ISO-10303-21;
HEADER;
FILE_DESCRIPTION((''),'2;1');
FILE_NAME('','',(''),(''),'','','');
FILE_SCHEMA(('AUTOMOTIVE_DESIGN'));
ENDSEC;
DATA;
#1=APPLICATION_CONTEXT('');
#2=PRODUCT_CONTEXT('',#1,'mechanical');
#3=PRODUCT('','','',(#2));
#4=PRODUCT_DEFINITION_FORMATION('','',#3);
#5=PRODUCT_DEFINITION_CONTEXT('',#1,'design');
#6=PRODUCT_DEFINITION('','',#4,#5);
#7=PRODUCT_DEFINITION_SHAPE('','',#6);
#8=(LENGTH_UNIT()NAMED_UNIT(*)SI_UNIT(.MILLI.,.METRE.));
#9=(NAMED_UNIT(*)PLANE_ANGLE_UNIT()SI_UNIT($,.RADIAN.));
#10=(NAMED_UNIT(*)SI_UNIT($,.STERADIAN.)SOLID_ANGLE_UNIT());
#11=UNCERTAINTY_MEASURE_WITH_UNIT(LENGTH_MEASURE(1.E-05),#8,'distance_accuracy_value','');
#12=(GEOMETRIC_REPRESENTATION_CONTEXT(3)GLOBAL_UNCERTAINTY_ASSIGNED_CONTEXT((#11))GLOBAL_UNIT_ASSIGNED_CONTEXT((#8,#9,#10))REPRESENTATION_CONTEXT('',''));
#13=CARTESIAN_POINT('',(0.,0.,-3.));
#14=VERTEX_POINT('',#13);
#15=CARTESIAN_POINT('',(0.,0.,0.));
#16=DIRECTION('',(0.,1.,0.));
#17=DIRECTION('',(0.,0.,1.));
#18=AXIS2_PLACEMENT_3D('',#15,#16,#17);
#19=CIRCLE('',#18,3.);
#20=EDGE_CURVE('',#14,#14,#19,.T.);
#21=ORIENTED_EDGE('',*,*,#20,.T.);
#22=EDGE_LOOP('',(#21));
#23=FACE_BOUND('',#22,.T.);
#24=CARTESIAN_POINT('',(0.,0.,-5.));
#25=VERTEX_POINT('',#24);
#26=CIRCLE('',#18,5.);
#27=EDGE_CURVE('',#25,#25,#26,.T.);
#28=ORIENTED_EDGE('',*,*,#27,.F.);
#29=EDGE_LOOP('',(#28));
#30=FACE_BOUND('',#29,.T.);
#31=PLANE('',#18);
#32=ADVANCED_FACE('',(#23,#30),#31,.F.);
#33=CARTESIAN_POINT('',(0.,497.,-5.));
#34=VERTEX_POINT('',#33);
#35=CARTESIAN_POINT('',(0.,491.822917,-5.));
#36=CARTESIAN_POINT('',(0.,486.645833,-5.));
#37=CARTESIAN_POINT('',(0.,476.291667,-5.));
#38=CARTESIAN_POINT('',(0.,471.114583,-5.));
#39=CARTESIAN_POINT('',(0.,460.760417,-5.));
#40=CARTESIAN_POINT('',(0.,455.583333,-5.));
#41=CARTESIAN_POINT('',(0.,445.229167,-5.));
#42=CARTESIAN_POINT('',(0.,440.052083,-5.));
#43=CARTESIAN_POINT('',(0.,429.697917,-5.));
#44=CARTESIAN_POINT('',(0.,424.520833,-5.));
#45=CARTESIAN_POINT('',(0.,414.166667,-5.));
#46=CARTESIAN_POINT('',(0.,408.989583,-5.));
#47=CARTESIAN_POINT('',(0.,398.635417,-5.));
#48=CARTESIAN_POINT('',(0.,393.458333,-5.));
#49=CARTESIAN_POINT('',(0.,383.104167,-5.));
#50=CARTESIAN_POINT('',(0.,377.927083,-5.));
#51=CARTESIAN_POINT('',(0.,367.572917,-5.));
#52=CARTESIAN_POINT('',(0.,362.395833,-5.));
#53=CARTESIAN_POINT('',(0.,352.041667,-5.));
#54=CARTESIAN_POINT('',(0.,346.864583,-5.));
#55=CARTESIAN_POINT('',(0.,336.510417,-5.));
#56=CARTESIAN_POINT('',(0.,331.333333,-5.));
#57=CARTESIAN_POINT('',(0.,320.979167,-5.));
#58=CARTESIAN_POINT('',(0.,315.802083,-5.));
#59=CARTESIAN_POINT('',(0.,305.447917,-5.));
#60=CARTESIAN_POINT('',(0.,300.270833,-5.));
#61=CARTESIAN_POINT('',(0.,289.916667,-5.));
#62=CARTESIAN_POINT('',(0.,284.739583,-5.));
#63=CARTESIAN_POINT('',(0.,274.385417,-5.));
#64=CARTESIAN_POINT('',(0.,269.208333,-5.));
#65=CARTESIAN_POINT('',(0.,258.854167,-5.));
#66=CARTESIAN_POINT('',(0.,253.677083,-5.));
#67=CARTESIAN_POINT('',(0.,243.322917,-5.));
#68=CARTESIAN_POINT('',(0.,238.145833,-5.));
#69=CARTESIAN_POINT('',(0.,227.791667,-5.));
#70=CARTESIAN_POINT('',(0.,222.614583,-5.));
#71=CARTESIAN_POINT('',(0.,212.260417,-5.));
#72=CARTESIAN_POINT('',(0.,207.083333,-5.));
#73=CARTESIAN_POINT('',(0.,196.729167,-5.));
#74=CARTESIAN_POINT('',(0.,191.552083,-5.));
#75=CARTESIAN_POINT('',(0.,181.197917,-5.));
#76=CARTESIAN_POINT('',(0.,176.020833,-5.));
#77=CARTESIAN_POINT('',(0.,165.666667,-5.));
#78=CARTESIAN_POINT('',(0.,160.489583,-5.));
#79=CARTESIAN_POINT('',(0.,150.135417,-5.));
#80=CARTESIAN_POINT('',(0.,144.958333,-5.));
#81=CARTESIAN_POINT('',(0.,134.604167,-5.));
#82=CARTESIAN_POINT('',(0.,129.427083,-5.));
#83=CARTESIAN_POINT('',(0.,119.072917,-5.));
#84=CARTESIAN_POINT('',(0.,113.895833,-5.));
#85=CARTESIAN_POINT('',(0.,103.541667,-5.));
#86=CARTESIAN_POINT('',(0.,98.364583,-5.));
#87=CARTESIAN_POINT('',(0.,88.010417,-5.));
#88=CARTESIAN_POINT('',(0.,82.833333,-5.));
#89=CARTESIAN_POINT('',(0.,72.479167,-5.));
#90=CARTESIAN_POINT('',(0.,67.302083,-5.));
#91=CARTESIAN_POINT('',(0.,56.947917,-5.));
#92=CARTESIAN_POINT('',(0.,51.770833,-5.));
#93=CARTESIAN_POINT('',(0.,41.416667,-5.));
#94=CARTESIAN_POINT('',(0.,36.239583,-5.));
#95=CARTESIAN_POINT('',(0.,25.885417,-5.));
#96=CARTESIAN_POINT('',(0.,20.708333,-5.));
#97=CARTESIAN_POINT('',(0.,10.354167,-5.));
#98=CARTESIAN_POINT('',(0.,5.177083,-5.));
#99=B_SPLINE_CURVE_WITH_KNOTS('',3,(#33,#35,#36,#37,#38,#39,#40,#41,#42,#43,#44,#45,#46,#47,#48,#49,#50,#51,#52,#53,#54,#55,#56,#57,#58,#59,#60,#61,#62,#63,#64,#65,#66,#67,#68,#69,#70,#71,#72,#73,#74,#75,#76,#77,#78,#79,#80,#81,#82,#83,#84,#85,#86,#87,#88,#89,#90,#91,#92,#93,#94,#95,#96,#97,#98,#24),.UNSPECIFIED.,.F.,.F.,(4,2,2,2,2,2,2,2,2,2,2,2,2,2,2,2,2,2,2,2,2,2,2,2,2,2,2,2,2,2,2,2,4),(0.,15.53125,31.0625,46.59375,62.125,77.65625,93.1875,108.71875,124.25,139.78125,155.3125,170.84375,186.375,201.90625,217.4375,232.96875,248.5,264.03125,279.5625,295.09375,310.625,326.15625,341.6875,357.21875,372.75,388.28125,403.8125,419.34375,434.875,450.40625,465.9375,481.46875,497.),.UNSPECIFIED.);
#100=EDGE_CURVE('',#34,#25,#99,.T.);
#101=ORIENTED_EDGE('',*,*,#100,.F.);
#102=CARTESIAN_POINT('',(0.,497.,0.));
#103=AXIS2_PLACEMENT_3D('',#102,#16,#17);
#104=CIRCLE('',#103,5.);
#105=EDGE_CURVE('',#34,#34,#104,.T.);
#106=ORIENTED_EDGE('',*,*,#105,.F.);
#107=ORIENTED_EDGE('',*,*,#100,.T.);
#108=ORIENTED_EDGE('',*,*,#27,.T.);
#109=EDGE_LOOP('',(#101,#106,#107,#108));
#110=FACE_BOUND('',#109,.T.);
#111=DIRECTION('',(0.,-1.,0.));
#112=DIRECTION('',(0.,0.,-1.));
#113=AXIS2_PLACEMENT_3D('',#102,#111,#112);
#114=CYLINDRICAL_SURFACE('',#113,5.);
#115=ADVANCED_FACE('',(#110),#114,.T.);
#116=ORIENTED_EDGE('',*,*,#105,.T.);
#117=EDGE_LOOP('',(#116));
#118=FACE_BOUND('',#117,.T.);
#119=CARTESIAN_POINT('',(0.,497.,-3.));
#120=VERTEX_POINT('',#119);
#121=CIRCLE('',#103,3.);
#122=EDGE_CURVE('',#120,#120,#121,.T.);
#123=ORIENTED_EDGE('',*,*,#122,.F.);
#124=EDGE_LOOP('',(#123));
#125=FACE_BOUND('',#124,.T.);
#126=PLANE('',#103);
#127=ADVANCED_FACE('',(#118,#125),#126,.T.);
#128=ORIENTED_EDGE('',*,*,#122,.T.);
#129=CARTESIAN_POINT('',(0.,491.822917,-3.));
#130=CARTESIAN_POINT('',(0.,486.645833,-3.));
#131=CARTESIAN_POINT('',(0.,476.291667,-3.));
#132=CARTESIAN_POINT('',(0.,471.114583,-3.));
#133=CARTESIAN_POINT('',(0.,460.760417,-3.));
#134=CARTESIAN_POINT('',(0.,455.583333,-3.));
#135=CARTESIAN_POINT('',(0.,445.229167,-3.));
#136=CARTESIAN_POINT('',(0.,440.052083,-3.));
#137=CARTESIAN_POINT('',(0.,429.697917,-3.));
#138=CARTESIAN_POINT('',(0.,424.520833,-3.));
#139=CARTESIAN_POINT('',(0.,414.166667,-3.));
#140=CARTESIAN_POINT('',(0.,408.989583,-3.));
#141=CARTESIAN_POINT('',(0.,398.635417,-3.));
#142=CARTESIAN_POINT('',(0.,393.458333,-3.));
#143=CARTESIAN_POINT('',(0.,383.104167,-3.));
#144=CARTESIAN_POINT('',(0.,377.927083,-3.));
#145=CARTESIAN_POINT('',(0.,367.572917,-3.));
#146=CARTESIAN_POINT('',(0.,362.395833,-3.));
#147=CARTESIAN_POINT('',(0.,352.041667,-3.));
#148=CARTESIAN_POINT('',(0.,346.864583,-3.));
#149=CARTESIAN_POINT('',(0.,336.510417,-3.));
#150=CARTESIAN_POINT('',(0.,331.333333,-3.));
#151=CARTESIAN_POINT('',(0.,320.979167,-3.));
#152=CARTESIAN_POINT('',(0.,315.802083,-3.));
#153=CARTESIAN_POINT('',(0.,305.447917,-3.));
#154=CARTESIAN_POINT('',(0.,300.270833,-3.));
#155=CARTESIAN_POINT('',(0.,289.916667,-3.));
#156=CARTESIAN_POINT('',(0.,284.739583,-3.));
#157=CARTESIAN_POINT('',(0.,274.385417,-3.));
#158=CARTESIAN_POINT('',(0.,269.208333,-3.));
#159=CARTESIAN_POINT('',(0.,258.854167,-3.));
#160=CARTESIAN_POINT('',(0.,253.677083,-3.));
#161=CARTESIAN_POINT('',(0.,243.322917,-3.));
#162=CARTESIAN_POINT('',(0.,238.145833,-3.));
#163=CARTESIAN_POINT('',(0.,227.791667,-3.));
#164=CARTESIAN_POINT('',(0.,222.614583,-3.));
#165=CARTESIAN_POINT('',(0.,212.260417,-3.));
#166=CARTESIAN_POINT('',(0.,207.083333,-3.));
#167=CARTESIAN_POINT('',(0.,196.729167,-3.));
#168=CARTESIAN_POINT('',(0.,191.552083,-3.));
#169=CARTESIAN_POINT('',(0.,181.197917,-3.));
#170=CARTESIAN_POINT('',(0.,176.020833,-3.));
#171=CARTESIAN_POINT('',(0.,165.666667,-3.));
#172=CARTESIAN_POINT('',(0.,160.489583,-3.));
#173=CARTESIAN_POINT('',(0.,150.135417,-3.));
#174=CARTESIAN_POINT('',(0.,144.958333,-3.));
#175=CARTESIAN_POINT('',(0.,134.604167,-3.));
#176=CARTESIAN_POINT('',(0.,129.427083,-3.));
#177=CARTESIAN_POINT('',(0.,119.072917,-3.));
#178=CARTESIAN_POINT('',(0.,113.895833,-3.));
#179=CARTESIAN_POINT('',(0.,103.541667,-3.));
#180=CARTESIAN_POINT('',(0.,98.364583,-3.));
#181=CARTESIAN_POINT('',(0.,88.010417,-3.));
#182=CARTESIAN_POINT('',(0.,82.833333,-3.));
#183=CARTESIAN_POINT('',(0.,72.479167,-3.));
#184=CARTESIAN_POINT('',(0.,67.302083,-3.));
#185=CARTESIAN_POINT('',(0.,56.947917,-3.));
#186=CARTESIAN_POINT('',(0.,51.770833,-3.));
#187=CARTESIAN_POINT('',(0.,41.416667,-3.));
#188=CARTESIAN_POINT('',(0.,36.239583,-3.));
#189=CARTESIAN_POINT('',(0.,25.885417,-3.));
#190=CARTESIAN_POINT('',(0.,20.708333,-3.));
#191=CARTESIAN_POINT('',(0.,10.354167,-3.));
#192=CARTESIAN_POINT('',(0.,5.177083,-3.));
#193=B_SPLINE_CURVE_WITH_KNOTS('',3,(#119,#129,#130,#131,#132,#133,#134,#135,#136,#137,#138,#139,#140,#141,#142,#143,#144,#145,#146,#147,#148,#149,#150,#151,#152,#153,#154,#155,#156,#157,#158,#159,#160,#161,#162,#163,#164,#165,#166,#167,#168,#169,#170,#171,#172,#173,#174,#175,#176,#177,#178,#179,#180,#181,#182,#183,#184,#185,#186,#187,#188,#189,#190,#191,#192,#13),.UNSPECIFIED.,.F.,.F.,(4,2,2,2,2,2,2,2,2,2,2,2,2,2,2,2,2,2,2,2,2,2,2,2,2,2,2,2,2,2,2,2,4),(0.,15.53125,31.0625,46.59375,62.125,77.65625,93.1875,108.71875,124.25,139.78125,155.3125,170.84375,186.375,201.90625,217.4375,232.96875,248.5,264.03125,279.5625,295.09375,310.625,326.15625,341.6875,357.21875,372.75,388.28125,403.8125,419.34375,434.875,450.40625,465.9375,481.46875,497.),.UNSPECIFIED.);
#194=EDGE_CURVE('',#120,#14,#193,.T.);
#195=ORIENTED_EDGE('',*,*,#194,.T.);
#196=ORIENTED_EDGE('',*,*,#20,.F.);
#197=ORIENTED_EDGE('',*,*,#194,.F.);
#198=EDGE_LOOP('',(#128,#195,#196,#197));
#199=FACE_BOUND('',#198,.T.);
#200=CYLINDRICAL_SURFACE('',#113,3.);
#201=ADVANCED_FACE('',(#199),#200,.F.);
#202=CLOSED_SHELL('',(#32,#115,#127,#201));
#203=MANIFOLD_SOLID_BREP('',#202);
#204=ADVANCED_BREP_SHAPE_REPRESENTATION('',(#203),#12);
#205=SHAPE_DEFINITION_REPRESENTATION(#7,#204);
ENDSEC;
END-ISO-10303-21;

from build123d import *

# Parameters (mm, degrees)
SKETCH_1_R      = 5
SKETCH_1_R_2    = 3
EXTRUDE_1_DEPTH = 497


with BuildPart() as part:
    # Эскиз1 → Бобышка-Вытянуть1 (new body)
    with BuildSketch(Plane(origin=(0, 0, 0), x_dir=(1, 0, 0), z_dir=(0, 1, 0))):
        with Locations(Location((0, 0, 0), (0, 0, 90))):
            Circle(SKETCH_1_R)
        with Locations(Location((0, 0, 0), (0, 0, 90))):
            Circle(SKETCH_1_R_2, mode=Mode.SUBTRACT)
    extrude(amount=EXTRUDE_1_DEPTH)


solid = part.part
